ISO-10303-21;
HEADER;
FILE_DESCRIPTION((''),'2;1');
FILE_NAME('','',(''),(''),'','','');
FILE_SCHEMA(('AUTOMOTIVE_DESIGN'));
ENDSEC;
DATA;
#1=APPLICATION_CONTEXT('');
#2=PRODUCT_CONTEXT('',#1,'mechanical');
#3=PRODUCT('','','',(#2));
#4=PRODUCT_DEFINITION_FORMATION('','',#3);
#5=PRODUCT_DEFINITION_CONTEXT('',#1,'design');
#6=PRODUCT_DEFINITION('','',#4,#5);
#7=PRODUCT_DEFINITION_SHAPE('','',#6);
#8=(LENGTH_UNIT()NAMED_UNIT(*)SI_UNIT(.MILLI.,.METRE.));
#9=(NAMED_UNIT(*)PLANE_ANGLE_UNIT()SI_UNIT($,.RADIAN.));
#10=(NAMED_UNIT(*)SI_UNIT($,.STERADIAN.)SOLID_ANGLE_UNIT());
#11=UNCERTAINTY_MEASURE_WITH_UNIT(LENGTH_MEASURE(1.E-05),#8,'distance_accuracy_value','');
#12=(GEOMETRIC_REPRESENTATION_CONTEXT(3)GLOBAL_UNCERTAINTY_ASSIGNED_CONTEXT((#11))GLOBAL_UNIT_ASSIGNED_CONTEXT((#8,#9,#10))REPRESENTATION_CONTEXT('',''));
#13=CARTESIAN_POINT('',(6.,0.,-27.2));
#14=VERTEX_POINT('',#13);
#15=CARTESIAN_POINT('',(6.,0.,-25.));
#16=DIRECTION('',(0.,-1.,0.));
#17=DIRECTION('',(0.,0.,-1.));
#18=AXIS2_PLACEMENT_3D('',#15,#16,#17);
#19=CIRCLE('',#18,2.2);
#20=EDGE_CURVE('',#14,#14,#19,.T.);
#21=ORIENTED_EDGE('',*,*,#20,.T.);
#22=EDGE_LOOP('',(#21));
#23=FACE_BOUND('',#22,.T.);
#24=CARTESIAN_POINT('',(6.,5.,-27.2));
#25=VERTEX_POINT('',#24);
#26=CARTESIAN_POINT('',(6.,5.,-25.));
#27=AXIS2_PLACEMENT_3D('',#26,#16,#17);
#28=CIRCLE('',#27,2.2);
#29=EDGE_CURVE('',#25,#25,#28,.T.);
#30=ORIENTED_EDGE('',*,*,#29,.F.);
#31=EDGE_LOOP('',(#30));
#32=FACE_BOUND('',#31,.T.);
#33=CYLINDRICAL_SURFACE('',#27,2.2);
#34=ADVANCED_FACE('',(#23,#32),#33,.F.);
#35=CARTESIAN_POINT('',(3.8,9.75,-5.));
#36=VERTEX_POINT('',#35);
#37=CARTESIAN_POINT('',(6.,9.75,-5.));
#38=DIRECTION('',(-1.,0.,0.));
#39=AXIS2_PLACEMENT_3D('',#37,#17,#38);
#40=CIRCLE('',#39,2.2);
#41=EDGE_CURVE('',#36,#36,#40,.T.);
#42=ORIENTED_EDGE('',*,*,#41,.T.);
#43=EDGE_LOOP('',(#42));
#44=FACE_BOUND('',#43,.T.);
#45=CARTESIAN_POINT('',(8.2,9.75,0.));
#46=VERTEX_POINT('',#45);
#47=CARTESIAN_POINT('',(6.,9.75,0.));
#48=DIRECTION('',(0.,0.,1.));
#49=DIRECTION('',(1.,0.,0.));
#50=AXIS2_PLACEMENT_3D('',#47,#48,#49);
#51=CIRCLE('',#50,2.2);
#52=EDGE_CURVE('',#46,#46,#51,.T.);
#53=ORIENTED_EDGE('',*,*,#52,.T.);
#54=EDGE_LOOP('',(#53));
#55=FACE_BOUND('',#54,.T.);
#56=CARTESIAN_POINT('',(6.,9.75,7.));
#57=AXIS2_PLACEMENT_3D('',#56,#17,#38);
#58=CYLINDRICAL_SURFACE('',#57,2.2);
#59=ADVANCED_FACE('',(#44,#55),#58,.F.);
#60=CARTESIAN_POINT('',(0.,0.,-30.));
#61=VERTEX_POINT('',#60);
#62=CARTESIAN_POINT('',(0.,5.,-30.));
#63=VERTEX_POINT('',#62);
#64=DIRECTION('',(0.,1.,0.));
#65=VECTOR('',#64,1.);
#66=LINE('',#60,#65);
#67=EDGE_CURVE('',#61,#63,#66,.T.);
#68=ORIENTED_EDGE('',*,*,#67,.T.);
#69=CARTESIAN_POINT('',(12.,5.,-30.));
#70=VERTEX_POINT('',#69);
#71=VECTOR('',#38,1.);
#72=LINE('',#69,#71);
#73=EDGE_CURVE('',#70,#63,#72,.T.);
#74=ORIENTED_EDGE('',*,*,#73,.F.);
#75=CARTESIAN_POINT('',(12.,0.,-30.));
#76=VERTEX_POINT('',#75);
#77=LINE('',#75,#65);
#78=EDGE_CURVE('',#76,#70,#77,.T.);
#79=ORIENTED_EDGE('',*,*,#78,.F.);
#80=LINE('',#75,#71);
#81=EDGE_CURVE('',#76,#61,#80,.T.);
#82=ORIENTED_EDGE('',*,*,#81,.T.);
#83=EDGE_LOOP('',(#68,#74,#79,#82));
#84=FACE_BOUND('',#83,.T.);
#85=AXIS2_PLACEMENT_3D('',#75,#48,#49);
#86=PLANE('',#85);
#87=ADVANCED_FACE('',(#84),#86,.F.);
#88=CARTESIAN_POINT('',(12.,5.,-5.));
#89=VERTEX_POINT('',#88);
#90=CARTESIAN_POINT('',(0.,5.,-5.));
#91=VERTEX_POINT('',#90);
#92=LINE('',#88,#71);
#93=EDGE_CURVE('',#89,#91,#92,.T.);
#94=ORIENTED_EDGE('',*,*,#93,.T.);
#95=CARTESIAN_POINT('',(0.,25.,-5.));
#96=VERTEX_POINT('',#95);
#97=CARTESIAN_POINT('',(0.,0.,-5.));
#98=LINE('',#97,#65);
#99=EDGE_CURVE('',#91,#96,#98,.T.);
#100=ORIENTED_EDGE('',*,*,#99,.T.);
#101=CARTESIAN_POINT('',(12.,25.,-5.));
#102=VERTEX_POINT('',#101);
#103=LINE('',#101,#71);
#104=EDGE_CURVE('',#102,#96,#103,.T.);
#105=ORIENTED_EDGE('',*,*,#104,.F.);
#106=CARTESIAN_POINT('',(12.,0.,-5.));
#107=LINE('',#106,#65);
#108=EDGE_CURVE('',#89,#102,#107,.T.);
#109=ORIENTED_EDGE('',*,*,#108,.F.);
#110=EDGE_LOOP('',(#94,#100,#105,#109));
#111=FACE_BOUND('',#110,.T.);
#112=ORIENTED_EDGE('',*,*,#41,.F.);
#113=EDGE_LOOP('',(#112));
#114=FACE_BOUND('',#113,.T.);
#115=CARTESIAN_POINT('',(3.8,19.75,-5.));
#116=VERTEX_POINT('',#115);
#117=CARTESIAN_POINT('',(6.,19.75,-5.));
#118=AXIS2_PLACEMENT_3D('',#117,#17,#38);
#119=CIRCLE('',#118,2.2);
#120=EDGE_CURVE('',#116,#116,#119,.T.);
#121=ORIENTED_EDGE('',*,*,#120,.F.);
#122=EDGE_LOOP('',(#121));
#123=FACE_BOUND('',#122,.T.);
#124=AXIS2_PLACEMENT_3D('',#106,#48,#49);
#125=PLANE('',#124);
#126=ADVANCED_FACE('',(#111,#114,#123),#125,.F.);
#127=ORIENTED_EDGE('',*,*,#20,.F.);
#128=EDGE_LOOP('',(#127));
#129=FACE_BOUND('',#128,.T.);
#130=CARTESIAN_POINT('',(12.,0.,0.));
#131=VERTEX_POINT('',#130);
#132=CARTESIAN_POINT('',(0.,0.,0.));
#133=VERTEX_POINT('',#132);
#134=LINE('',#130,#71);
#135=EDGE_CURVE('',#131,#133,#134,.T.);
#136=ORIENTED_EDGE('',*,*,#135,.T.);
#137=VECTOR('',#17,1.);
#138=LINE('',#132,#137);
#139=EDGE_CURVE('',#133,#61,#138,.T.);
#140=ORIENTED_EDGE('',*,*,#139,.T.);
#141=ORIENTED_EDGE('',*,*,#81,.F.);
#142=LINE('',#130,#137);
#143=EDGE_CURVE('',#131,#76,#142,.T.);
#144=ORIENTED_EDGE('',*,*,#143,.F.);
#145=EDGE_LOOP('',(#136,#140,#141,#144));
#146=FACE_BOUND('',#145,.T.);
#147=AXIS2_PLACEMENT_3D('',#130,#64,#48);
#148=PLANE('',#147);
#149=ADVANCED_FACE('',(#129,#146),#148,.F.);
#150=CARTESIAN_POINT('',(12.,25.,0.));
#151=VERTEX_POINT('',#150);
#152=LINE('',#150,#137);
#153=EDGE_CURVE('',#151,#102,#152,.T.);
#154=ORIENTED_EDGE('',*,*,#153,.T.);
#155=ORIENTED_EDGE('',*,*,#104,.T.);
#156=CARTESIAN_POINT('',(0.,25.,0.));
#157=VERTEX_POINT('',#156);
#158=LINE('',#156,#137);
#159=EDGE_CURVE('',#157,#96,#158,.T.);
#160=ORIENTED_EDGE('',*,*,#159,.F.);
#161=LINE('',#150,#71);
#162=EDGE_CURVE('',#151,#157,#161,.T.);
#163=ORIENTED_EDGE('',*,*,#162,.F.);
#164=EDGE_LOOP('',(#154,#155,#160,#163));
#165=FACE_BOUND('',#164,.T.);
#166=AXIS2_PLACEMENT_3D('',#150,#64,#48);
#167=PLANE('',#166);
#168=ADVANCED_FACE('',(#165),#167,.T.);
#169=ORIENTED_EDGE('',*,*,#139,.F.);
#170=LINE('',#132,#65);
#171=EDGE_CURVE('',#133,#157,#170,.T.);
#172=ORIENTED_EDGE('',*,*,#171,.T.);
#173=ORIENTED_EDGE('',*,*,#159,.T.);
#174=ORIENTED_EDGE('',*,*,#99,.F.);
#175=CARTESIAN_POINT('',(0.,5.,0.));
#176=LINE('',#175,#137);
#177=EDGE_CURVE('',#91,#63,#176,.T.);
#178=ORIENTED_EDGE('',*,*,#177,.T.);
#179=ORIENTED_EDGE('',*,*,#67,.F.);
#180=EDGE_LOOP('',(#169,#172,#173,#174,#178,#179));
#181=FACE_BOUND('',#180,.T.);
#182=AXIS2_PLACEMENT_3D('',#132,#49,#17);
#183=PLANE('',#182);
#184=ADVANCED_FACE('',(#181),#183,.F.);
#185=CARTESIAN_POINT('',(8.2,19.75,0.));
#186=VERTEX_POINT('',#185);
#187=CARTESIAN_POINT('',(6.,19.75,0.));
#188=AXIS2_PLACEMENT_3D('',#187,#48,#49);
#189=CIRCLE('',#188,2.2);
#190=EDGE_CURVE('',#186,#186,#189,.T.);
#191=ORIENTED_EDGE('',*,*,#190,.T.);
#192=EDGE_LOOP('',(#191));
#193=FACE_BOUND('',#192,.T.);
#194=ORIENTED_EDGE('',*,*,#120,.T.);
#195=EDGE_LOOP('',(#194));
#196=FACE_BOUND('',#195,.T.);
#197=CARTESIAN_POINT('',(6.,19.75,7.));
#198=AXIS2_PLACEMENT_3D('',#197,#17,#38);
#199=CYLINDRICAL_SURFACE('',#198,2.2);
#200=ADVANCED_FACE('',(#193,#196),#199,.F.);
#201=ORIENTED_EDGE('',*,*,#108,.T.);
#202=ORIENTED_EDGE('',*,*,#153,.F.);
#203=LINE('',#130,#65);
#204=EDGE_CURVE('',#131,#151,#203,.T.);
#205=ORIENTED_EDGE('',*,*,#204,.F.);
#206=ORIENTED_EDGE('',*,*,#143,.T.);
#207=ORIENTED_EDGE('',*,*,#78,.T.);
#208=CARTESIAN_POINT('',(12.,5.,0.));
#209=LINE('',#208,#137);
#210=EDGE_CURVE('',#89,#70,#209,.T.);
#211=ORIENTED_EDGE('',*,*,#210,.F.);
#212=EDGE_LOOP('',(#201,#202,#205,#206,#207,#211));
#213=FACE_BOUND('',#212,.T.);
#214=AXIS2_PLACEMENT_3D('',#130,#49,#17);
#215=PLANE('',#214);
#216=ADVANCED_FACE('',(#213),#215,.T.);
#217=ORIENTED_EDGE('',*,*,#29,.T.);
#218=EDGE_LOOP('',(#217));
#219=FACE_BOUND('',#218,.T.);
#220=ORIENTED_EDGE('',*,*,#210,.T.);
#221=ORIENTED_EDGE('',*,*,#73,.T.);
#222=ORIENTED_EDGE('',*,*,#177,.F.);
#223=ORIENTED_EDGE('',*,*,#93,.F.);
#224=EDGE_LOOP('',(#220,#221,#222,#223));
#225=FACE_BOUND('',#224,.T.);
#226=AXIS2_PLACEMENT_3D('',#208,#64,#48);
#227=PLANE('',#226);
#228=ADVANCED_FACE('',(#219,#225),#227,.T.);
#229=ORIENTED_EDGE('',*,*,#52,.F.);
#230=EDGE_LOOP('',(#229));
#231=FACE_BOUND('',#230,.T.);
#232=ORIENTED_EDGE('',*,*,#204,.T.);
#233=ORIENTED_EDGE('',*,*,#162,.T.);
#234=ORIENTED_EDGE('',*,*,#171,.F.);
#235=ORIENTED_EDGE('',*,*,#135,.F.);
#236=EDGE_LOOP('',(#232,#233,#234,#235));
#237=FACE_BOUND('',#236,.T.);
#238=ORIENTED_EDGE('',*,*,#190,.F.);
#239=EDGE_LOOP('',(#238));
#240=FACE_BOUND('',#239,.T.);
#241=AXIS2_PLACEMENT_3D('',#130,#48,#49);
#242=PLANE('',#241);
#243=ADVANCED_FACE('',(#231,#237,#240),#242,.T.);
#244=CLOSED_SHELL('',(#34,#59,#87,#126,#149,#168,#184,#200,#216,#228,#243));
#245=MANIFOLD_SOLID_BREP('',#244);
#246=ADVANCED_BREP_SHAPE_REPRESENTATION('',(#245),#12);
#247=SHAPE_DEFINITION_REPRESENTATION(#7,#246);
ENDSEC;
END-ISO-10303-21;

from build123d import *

# Parameters (mm, degrees)
SKETCH1_W           = 5
SKETCH1_H           = 20
SKETCH1_H_2         = 5
SKETCH1_W_2         = 25
BOSS_EXTRUDE1_DEPTH = 12
SKETCH2_R           = 2.2
CUT_EXTRUDE1_DEPTH  = 12
CUT_EXTRUDE3_DEPTH  = 5


with BuildPart() as part:
    # Sketch1 → Boss-Extrude1 (new body)
    with BuildSketch(Plane(origin=(0, 0, 0), x_dir=(0, 0, -1), z_dir=(1, 0, 0))):
        with Locations((2.5, 15)):
            Rectangle(SKETCH1_W, SKETCH1_H)
        with Locations((2.5, 2.5)):
            Rectangle(SKETCH1_W, SKETCH1_H_2)
        with Locations((17.5, 2.5)):
            Rectangle(SKETCH1_W_2, SKETCH1_H_2)
    extrude(amount=BOSS_EXTRUDE1_DEPTH)

    # Sketch2 → Cut-Extrude1 (cut)
    with BuildSketch(Plane(origin=(0, 0, -5), x_dir=(-1, 0, 0), z_dir=(0, 0, -1))):
        with Locations((-6, 19.75)):
            Circle(SKETCH2_R)
        with Locations((-6, 9.75)):
            Circle(SKETCH2_R)
    extrude(amount=-CUT_EXTRUDE1_DEPTH, mode=Mode.SUBTRACT)

    # Sketch3 → Cut-Extrude3 (cut)
    with BuildSketch(Plane.XZ):
        with BuildLine():
            ThreePointArc((8.2, -25), (7.555634919, -23.444365081), (6, -22.8))
            Line((6, -22.8), (6, -27.2))
            ThreePointArc((6, -27.2), (7.555634919, -26.555634919), (8.2, -25))
        make_face()
        with BuildLine():
            Line((6, -27.2), (6, -22.8))
            ThreePointArc((6, -22.8), (3.8, -25), (6, -27.2))
        make_face()
    extrude(amount=-CUT_EXTRUDE3_DEPTH, mode=Mode.SUBTRACT)


solid = part.part
